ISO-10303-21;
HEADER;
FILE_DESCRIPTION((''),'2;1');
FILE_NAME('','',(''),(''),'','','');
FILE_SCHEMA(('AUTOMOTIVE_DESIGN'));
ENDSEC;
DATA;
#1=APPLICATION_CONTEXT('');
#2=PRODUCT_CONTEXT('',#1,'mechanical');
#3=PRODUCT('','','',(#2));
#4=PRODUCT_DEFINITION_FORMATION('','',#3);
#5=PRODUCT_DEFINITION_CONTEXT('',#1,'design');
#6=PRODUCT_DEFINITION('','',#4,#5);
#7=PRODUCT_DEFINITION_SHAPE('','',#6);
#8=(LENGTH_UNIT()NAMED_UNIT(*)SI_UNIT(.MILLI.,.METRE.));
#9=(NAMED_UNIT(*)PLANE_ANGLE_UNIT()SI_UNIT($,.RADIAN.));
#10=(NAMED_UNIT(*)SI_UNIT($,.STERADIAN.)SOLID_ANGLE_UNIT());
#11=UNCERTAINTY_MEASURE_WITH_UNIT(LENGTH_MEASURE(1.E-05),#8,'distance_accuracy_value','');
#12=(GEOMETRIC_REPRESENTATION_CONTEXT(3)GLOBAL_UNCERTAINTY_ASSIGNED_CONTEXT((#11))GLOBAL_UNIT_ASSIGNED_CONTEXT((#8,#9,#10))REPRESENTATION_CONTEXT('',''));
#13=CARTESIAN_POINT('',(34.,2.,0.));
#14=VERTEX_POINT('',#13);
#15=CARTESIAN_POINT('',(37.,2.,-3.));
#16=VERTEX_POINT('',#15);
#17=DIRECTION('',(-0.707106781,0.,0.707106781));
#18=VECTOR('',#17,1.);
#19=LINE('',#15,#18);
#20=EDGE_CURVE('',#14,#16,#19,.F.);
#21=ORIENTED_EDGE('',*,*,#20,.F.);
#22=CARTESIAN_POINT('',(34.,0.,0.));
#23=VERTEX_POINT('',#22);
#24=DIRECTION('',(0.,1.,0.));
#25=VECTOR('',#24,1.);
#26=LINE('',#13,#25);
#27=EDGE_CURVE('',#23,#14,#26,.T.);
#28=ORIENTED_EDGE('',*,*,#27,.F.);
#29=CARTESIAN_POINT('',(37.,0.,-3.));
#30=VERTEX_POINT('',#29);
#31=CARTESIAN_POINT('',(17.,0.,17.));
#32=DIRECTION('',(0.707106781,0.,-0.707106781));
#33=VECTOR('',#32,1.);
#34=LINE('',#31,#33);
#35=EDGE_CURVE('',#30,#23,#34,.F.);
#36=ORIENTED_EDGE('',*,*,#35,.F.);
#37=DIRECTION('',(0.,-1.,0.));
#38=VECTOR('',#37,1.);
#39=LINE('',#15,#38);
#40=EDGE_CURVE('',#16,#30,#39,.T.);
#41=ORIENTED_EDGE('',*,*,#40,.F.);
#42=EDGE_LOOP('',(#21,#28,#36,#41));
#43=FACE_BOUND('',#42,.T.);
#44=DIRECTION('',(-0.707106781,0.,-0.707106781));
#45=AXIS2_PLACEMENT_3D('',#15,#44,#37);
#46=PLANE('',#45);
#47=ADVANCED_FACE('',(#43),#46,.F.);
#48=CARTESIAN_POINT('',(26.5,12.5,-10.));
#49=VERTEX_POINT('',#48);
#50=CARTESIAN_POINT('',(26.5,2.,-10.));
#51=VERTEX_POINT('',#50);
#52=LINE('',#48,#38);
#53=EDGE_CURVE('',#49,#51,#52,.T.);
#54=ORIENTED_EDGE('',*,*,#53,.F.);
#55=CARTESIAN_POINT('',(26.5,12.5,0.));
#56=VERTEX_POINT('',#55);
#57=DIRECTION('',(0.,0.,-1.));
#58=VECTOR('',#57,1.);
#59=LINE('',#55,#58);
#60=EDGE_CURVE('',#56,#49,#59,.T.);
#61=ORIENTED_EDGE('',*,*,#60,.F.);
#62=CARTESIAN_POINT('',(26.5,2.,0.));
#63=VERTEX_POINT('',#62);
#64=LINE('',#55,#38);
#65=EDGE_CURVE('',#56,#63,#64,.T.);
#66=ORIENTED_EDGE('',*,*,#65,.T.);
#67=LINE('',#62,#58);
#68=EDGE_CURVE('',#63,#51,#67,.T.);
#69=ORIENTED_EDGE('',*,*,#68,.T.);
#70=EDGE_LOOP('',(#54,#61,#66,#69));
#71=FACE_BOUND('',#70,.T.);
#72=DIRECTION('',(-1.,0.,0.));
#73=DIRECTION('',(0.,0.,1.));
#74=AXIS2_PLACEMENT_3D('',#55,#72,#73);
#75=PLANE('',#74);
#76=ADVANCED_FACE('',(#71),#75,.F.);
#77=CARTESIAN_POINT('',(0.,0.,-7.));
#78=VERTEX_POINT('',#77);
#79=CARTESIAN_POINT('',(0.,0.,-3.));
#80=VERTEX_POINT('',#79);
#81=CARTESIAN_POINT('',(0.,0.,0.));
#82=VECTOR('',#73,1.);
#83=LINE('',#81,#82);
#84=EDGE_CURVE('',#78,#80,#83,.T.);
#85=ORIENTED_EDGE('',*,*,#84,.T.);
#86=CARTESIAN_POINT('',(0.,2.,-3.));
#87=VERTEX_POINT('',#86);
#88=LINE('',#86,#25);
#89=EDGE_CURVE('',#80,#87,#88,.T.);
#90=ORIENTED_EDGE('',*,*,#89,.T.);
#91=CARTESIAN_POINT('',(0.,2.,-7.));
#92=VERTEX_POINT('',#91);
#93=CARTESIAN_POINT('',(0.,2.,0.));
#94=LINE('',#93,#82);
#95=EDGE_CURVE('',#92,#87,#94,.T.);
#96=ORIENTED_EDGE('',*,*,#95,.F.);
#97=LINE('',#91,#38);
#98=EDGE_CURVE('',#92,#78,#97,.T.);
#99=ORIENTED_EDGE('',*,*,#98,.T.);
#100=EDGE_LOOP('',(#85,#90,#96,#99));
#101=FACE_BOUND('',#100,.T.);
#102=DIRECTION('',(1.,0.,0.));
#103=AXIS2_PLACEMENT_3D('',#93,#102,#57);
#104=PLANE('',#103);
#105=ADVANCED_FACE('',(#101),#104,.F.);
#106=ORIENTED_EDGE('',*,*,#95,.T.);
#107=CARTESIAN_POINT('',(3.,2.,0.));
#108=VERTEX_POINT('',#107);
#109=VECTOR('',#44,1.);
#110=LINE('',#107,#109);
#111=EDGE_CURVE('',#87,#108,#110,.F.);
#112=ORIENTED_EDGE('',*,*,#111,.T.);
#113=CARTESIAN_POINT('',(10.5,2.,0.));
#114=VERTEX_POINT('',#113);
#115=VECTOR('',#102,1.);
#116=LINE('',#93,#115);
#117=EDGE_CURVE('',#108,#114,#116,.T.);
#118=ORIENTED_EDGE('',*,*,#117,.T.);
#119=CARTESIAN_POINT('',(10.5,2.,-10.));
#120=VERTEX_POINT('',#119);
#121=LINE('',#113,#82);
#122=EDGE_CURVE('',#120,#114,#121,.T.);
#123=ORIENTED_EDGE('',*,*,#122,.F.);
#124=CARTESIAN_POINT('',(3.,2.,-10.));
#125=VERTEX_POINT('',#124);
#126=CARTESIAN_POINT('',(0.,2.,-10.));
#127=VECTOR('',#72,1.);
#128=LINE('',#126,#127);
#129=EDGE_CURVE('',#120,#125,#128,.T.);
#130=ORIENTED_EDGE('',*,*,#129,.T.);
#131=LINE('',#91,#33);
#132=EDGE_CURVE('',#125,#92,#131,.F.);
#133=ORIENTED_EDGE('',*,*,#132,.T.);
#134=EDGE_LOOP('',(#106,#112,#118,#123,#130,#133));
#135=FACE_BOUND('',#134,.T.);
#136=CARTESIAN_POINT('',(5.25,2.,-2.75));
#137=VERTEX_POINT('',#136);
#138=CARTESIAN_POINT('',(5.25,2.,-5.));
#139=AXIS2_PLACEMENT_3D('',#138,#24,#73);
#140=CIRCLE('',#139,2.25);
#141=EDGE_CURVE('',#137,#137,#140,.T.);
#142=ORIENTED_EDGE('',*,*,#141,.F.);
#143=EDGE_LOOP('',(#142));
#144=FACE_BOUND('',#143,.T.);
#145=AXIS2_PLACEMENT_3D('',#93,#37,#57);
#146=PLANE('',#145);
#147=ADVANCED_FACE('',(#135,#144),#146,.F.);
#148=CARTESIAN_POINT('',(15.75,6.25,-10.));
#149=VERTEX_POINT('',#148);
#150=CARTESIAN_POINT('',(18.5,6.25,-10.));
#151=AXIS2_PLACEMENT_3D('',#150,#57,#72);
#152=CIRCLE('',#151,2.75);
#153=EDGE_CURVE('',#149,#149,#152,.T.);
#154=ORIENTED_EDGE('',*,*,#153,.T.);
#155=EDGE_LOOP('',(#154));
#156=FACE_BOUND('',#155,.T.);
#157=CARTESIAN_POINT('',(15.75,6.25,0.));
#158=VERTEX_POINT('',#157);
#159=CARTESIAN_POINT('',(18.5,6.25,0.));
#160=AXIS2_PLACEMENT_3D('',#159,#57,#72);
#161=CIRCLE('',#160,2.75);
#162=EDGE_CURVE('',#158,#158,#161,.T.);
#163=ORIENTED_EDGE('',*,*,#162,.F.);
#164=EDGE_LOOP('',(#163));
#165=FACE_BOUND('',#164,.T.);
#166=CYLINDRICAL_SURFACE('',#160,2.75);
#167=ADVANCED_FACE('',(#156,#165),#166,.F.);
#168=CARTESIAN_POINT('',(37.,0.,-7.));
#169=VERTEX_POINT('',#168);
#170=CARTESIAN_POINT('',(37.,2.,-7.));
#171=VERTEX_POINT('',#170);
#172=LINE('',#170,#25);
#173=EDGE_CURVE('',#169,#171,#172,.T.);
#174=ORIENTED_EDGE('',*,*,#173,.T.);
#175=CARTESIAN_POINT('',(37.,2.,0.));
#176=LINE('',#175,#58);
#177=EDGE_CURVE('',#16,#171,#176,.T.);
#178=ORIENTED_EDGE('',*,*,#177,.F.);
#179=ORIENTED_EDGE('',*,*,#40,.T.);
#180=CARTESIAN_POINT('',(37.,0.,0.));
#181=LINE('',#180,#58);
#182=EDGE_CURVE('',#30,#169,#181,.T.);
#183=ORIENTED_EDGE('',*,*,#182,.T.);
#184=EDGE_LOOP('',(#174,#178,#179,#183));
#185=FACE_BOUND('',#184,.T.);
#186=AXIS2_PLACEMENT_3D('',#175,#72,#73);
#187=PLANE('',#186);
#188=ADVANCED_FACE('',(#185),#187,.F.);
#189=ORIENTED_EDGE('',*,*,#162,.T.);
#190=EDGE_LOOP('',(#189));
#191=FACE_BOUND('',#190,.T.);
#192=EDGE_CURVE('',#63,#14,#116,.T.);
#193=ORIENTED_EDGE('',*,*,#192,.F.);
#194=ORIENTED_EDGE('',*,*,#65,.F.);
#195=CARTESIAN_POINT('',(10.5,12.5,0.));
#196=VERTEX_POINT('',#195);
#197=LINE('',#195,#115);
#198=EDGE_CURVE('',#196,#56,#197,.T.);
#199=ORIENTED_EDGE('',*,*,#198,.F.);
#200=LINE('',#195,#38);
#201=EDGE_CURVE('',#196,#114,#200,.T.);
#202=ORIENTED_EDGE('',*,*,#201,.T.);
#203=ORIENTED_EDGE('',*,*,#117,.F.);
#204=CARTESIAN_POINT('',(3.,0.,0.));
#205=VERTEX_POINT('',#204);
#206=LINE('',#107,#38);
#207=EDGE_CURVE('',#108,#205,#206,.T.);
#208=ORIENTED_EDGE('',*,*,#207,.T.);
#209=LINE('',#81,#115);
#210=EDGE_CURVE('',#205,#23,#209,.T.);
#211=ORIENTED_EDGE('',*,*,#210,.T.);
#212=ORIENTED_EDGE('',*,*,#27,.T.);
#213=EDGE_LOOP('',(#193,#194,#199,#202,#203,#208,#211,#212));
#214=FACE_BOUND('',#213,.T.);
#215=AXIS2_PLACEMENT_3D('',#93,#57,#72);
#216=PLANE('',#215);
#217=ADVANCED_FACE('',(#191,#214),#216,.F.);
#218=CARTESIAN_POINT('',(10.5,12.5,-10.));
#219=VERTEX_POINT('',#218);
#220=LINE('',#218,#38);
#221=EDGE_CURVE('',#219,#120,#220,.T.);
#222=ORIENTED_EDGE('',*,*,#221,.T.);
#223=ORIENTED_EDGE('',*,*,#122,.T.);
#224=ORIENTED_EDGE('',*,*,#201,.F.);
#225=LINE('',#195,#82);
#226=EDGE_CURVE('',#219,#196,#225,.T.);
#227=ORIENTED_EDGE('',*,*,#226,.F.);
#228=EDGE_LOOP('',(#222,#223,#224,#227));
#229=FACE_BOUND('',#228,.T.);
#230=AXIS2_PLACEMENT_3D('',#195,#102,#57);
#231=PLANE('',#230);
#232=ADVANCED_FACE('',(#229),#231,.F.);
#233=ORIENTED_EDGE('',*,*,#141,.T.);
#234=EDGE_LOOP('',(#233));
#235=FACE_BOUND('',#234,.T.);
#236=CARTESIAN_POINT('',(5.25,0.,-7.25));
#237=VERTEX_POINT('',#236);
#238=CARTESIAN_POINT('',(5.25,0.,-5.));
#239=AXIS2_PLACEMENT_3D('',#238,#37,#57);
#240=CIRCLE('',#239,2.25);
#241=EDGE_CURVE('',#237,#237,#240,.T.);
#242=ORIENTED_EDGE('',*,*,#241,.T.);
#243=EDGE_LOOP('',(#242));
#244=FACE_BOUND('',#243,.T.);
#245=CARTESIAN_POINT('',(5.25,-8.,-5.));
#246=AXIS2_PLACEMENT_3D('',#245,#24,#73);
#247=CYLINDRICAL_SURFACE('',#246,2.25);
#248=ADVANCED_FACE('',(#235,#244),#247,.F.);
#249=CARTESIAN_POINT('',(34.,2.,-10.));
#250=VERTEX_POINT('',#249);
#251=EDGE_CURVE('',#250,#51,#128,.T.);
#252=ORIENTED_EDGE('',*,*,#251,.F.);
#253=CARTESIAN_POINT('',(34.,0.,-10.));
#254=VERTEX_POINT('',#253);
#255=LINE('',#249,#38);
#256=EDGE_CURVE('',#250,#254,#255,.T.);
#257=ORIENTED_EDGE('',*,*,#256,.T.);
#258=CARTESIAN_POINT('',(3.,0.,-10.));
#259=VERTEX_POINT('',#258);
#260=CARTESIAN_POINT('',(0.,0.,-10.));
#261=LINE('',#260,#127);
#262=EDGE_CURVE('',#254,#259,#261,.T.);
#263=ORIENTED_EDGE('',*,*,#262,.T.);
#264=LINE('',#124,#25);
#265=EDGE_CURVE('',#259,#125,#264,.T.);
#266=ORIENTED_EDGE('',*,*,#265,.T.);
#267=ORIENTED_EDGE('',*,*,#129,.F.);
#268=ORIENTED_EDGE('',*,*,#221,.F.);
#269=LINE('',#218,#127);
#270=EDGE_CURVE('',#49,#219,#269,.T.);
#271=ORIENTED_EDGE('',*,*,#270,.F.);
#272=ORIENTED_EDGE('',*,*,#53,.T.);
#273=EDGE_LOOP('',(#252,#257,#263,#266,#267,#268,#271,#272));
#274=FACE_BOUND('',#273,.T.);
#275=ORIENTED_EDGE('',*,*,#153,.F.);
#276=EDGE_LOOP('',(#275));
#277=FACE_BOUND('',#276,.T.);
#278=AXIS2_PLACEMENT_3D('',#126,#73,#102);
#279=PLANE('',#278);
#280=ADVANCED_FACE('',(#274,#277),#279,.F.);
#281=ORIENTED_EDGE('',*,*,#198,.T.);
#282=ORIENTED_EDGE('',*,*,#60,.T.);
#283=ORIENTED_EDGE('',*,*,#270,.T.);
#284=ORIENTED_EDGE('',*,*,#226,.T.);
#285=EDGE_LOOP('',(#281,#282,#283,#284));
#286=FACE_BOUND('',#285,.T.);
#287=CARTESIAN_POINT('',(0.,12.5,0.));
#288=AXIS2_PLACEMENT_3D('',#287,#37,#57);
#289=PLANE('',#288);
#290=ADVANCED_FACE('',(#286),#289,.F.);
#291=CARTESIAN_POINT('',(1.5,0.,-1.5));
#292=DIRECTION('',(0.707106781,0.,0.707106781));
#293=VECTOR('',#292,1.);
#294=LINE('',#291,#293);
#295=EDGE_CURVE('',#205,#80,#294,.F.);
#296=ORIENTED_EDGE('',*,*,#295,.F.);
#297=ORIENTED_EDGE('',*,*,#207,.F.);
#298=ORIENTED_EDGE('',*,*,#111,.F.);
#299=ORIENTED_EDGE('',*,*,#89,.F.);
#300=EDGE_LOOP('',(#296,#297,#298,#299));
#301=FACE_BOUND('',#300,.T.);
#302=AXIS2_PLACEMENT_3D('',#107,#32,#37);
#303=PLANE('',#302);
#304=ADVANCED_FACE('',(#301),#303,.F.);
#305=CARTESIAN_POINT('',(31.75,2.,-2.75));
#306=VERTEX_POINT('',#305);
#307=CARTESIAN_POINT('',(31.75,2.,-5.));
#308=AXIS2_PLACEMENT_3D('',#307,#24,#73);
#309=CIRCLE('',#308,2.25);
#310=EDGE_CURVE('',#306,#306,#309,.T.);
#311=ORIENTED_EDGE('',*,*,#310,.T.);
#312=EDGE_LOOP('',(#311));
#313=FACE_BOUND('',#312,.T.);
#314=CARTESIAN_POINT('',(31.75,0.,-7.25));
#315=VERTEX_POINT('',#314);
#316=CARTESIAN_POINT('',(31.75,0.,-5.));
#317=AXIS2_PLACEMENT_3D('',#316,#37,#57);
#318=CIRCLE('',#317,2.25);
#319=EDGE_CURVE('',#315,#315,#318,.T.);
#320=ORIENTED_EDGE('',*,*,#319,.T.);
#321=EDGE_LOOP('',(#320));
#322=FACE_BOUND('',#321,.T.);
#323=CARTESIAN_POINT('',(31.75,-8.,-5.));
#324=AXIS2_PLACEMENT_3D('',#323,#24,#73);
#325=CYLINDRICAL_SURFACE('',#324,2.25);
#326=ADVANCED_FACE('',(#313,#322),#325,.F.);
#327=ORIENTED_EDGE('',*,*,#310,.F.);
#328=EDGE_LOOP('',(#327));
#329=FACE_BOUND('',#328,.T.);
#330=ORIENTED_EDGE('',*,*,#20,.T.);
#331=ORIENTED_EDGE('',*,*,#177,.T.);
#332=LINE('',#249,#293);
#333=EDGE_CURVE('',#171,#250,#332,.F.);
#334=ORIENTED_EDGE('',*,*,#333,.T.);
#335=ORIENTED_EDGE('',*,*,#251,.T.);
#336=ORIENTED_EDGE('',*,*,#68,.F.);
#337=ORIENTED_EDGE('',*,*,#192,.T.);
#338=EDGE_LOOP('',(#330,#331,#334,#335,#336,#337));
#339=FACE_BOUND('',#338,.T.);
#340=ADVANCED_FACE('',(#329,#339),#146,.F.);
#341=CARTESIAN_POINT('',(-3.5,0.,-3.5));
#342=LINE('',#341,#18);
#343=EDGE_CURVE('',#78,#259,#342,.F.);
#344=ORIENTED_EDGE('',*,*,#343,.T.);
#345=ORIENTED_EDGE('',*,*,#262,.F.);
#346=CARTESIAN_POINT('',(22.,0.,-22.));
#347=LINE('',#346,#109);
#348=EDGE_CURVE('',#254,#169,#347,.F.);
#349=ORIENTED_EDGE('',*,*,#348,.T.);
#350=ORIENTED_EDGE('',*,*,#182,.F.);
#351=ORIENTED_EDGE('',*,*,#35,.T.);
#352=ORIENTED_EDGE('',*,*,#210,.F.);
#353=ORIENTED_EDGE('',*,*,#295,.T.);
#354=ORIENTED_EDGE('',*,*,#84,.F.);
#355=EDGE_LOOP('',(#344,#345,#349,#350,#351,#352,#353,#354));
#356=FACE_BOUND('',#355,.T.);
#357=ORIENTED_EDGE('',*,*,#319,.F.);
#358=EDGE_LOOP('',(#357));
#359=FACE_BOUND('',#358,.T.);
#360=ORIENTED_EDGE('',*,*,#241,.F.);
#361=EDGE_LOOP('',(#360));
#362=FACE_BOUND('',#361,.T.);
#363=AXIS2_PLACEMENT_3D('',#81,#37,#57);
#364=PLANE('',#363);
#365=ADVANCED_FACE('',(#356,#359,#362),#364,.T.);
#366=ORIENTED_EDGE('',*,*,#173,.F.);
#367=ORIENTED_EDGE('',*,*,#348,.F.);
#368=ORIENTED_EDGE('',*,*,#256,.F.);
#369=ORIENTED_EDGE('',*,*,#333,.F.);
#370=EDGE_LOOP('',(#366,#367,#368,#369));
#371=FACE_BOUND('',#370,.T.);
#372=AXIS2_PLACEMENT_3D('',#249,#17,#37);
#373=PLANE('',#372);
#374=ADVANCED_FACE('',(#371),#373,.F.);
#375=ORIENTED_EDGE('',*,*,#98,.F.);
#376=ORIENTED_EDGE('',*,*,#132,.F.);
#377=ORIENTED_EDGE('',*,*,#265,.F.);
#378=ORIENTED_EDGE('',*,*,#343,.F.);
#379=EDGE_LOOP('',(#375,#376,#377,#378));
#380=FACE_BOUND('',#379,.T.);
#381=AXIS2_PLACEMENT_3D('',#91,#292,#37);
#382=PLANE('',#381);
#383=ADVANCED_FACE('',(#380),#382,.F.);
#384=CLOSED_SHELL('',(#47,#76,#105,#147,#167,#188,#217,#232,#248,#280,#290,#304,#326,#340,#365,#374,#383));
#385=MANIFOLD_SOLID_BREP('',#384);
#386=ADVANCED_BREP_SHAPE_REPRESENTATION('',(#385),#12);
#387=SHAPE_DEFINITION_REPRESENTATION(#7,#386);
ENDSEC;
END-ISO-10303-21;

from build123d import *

# Parameters (mm, degrees)
SKETCH1_W           = 37
SKETCH1_H           = 10
BOSS_EXTRUDE1_DEPTH = 2
SKETCH2_W           = 16
SKETCH2_H           = 10
BOSS_EXTRUDE2_DEPTH = 10.5
SKETCH3_R           = 2.75
CUT_EXTRUDE1_DEPTH  = 41.314389491
SKETCH4_R           = 2.25
CUT_EXTRUDE2_DEPTH  = 10
CHAMFER1_SIZE       = 3


with BuildPart() as part:
    # Sketch1 → Boss-Extrude1 (new body)
    with BuildSketch(Plane(origin=(0, 0, 0), x_dir=(1, 0, 0), z_dir=(0, 1, 0))):
        with Locations((18.5, 5)):
            Rectangle(SKETCH1_W, SKETCH1_H)
    extrude(amount=BOSS_EXTRUDE1_DEPTH)

    # Sketch2 → Boss-Extrude2 (add)
    with BuildSketch(Plane(origin=(0, 2, 0), x_dir=(1, 0, 0), z_dir=(0, 1, 0))):
        with Locations((18.5, 5)):
            Rectangle(SKETCH2_W, SKETCH2_H)
    extrude(amount=BOSS_EXTRUDE2_DEPTH)

    # Sketch3 → Cut-Extrude1 (cut, through all)
    with BuildSketch(Plane(origin=(0, 0, -10), x_dir=(-1, 0, 0), z_dir=(0, 0, -1))):
        with Locations((-18.5, 6.25)):
            Circle(SKETCH3_R)
    extrude(amount=-CUT_EXTRUDE1_DEPTH, mode=Mode.SUBTRACT)

    # Sketch4 → Cut-Extrude2 (cut)
    with BuildSketch(Plane(origin=(0, 2, 0), x_dir=(1, 0, 0), z_dir=(0, 1, 0))):
        with Locations(Location((5.25, 5, 0), (0, 0, 270))):
            Circle(SKETCH4_R)
        with Locations(Location((31.75, 5, 0), (0, 0, 270))):
            Circle(SKETCH4_R)
    extrude(amount=-CUT_EXTRUDE2_DEPTH, mode=Mode.SUBTRACT)

    # Chamfer1
    chamfer1_edges = [part.edges().sort_by_distance(p)[0] for p in [
        (0, 1, -10),
        (37, 1, -10),
        (37, 1, 0),
        (0, 1, 0),
    ]]
    chamfer(chamfer1_edges, length=CHAMFER1_SIZE)


solid = part.part
